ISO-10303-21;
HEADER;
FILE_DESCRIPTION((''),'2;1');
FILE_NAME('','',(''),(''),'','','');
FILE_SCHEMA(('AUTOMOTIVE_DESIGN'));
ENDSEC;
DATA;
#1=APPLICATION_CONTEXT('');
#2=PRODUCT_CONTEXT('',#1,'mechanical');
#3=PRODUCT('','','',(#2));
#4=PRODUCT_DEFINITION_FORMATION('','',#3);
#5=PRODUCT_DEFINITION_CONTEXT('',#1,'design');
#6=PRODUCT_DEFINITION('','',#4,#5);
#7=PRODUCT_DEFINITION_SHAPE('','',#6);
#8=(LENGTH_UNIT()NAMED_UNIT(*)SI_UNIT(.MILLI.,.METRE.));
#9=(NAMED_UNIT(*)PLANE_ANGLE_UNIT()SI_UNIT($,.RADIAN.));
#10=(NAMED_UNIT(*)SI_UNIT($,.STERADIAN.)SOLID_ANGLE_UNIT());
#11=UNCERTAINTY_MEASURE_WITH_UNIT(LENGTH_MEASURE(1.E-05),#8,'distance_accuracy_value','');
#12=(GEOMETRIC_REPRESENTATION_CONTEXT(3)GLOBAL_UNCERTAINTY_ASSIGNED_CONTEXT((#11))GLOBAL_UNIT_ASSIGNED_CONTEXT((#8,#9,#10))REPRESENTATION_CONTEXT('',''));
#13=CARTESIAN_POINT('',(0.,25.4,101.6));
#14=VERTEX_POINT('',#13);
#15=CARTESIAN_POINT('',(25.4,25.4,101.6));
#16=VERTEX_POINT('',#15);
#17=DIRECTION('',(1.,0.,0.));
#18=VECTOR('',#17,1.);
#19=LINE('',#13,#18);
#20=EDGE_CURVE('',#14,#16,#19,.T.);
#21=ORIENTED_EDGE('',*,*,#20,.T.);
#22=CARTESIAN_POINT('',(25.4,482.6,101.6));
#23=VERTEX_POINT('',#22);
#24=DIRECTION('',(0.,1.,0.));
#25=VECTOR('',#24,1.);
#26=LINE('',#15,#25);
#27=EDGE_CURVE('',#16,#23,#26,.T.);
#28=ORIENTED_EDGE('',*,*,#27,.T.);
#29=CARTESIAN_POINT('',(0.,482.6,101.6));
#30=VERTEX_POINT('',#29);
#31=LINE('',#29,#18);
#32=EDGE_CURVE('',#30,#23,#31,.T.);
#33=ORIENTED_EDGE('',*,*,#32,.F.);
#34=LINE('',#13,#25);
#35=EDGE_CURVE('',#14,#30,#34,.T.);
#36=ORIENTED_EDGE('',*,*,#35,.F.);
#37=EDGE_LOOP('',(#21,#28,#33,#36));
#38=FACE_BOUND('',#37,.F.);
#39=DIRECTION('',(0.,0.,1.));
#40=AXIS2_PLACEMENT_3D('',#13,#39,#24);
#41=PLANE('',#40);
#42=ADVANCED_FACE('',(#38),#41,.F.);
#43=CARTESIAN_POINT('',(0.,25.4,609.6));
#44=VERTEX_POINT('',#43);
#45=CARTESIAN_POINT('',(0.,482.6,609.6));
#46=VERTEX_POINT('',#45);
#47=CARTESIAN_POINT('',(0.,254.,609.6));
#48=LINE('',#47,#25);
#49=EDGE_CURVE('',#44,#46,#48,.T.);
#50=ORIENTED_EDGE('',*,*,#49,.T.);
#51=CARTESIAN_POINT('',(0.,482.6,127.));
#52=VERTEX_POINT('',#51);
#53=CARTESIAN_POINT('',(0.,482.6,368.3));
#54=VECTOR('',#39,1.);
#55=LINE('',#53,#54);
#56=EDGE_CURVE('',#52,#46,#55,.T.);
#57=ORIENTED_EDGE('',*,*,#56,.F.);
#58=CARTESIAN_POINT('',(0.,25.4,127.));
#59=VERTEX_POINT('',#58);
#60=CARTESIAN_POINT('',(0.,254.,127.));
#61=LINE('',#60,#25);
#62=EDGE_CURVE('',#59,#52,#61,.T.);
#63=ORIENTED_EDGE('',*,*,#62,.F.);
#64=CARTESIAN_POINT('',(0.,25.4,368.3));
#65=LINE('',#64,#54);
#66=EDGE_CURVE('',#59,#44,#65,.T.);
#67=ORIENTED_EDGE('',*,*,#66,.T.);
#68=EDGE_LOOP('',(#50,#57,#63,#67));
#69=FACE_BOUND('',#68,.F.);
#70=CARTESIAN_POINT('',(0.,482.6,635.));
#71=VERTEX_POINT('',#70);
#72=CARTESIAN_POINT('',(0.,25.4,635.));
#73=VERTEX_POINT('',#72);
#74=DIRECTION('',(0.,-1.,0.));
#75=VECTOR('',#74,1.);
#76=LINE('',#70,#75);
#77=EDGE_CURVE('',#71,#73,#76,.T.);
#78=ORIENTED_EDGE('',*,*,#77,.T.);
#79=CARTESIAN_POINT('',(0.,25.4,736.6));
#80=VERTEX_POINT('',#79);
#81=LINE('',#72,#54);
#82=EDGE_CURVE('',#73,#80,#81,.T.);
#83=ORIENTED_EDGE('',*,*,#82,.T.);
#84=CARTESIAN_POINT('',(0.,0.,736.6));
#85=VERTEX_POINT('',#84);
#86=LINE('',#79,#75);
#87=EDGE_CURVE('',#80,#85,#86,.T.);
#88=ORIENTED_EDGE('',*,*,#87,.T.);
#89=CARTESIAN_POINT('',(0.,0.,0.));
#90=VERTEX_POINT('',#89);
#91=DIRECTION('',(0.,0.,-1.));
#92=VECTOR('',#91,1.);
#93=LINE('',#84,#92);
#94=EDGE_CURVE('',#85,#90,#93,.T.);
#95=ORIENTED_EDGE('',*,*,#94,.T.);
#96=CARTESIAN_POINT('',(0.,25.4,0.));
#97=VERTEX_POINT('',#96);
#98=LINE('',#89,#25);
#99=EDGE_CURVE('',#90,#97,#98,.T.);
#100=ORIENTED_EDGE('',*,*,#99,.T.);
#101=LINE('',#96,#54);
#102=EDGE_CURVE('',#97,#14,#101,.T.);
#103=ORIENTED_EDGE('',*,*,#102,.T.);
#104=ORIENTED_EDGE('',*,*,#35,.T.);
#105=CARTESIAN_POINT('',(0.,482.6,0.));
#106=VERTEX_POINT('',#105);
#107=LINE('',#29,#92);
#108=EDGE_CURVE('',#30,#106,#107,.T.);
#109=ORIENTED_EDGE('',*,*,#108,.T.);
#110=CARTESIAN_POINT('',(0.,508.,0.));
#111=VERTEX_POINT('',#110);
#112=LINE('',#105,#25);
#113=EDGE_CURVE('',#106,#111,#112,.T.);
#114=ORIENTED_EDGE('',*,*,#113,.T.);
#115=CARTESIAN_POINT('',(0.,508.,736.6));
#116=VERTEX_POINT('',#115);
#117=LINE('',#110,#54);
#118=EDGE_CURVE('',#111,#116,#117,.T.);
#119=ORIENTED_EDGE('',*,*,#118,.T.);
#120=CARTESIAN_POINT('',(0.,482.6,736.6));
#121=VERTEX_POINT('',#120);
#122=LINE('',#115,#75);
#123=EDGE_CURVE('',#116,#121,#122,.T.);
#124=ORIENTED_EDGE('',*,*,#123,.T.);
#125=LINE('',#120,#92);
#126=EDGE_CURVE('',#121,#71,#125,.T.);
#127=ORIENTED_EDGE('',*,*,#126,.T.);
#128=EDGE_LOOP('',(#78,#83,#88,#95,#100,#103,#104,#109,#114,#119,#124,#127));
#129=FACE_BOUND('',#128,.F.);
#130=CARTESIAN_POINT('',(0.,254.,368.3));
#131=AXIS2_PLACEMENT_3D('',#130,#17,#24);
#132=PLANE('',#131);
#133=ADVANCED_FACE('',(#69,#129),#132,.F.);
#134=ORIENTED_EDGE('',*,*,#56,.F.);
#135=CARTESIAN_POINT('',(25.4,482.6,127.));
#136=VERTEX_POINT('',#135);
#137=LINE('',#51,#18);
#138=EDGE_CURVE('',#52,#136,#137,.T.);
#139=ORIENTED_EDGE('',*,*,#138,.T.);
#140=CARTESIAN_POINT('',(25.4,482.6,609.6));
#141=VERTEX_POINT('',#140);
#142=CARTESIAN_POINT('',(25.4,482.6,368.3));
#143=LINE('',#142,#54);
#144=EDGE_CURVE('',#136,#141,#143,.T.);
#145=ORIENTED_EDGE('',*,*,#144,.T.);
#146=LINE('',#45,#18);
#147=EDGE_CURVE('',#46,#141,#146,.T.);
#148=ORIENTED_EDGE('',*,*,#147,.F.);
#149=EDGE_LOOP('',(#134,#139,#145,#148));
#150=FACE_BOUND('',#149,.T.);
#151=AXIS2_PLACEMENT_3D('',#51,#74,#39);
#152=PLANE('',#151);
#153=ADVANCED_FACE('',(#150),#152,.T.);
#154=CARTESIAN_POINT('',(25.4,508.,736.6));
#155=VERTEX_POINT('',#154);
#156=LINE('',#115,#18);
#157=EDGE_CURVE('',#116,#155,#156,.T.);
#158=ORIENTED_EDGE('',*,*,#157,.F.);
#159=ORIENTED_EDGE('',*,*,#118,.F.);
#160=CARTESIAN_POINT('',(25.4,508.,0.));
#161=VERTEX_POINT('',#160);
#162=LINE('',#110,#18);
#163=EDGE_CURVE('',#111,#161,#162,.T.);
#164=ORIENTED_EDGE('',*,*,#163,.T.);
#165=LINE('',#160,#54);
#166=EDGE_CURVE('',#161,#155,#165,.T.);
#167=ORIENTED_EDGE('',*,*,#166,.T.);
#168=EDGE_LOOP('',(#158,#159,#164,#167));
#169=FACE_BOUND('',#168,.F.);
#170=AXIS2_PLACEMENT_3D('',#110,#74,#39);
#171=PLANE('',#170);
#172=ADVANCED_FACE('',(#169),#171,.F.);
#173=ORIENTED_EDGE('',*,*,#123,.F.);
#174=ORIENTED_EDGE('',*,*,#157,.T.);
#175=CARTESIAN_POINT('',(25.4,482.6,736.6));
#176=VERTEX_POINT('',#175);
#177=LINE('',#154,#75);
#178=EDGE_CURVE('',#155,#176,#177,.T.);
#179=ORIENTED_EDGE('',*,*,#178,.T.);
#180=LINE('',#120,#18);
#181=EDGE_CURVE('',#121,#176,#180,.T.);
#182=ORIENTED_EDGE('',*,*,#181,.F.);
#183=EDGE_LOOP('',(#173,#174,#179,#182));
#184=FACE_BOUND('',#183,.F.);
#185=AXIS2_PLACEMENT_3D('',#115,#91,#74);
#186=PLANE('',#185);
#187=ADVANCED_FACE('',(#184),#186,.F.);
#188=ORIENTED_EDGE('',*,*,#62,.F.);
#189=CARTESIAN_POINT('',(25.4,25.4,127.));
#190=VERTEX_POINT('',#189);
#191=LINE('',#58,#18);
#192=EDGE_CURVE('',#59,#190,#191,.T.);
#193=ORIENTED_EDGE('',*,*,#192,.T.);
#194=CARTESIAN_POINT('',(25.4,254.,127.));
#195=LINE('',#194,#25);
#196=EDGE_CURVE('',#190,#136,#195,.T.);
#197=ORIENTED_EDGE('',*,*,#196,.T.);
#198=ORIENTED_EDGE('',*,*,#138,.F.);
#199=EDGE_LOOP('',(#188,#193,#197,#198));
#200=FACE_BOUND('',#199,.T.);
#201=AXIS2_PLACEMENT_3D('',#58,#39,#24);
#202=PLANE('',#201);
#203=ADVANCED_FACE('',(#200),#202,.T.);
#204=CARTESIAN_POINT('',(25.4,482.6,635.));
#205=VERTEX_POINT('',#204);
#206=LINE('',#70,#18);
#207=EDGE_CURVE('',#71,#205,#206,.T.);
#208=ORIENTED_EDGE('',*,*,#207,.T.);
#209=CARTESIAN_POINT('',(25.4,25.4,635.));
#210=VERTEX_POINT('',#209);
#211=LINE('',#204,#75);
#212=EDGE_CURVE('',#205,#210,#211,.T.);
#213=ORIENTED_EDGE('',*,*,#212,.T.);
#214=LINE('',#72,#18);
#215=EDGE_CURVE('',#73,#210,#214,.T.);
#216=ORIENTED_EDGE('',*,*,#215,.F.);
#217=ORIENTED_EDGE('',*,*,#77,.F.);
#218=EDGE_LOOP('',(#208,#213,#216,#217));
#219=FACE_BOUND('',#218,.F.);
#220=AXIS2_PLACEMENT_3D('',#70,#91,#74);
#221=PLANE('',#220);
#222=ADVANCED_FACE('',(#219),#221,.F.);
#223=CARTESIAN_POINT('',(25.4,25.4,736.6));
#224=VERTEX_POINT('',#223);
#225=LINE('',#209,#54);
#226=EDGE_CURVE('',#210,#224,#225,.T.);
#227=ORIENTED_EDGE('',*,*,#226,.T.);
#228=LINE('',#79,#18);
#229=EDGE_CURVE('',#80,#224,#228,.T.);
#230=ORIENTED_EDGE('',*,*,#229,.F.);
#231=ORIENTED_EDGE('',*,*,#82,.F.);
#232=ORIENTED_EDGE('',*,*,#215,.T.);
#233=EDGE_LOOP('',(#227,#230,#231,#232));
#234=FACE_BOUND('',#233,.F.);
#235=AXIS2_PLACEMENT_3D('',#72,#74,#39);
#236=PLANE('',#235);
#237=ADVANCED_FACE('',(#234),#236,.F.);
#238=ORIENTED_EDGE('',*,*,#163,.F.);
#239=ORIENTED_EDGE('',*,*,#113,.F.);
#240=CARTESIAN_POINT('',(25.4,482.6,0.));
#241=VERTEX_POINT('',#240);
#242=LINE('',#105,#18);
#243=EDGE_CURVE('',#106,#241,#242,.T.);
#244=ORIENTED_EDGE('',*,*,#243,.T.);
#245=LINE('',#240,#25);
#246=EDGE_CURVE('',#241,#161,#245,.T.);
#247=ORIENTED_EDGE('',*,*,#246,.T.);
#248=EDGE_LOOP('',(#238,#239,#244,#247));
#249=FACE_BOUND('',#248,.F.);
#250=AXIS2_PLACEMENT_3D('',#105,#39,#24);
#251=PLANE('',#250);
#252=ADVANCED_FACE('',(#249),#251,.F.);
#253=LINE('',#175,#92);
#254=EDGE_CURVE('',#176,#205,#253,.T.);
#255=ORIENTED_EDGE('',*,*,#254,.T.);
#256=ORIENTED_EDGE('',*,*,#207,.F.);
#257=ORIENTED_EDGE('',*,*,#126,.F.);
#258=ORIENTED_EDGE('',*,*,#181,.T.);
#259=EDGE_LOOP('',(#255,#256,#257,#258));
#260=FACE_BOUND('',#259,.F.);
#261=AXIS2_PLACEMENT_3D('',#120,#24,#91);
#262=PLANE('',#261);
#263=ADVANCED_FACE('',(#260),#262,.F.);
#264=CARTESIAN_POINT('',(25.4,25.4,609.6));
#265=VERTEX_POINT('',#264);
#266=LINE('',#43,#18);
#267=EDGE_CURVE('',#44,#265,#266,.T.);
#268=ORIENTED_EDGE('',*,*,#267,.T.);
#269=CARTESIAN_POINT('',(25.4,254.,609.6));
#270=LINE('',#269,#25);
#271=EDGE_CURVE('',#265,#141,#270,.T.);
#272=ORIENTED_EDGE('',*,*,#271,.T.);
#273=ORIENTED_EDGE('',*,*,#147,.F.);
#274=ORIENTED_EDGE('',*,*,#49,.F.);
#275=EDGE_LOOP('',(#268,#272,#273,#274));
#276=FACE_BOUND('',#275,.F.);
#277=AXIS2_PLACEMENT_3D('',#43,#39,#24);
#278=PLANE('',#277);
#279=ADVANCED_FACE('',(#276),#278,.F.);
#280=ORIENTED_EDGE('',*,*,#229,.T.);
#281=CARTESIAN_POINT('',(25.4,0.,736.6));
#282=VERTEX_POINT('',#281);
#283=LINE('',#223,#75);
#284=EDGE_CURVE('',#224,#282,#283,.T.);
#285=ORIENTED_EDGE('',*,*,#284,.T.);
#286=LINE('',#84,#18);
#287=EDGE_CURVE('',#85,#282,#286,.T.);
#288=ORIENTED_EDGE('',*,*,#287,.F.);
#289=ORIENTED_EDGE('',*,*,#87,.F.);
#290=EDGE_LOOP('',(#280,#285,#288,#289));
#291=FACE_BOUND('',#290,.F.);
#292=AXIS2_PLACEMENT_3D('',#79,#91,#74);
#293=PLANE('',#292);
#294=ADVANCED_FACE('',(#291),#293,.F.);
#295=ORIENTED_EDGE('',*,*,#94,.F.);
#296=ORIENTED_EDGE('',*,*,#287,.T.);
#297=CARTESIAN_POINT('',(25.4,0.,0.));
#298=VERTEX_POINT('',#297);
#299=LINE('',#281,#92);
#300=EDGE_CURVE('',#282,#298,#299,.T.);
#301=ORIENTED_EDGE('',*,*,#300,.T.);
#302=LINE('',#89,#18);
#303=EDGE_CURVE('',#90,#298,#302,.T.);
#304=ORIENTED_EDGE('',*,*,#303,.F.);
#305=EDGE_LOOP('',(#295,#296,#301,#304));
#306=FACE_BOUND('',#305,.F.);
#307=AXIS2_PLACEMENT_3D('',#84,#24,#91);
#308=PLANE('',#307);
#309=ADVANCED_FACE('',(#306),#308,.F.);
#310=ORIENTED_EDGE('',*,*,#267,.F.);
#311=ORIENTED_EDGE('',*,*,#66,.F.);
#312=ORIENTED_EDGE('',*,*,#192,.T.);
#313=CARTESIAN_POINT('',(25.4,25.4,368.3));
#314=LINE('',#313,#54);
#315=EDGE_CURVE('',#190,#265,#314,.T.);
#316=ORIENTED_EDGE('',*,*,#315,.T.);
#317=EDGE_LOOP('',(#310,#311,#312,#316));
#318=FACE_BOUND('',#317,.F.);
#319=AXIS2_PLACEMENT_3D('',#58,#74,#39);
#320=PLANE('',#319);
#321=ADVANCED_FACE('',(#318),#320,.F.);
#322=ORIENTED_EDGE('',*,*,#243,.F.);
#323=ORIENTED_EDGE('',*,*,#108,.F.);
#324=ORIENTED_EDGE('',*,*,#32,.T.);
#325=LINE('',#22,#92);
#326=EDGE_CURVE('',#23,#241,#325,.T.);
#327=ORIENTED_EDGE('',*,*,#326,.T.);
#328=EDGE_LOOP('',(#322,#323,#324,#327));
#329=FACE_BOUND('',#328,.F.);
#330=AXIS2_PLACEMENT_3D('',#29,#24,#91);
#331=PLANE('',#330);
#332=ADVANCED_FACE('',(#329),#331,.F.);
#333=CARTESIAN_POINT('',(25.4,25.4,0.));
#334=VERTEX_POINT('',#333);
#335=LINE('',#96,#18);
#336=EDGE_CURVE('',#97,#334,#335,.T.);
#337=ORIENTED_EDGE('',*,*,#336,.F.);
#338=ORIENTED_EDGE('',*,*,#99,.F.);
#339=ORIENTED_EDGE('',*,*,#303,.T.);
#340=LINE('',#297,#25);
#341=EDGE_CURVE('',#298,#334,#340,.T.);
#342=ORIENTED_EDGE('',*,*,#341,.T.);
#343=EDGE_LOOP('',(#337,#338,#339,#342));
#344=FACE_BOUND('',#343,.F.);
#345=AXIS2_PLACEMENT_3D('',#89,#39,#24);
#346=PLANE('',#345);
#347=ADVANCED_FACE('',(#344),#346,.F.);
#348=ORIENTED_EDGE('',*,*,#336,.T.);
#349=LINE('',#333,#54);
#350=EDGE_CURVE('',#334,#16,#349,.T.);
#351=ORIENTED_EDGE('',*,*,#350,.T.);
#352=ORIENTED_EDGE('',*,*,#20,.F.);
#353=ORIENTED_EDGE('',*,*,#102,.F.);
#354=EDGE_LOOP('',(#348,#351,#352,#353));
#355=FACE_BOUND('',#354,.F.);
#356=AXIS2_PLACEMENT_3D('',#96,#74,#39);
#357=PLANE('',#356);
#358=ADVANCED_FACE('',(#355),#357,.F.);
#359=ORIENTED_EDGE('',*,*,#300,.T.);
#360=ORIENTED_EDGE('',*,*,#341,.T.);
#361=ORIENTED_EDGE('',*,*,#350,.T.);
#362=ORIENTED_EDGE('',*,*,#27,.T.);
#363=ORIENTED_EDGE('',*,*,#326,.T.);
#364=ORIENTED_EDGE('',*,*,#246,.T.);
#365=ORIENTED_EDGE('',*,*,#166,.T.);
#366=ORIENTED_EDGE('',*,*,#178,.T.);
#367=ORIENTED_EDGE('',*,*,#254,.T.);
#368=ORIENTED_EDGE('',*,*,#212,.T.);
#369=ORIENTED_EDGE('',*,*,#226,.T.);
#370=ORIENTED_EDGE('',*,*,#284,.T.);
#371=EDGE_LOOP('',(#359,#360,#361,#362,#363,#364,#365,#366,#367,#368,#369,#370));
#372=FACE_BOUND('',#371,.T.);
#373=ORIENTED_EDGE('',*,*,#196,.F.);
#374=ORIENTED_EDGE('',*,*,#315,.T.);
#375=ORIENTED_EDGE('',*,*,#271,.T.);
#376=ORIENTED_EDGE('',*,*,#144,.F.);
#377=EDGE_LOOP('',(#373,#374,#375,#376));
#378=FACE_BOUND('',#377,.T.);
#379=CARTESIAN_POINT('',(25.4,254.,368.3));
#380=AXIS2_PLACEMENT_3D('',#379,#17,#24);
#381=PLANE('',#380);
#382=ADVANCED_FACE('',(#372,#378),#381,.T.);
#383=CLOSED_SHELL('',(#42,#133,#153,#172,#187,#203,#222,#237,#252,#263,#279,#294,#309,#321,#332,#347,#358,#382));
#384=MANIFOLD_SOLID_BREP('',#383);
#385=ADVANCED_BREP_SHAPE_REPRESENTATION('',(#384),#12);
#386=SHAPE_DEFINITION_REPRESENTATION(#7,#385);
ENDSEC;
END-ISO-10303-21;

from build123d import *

# Parameters (mm, degrees)
F0_W     = 457.2
F0_H     = 482.6
F1_DEPTH = 25.4


with BuildPart() as f1:
    # F0 (on Right) → F1 (new body)
    with BuildSketch(Plane.YZ):
        Polygon((0, 736.6), (0, 0), (25.4, 0), (25.4, 101.6), (482.6, 101.6), (482.6, 0), (508, 0), (508, 736.6), (482.6, 736.6), (482.6, 635), (25.4, 635), (25.4, 736.6), align=None)
        with Locations((254, 368.3)):
            Rectangle(F0_W, F0_H, mode=Mode.SUBTRACT)
    extrude(amount=F1_DEPTH)


solid = f1.part
